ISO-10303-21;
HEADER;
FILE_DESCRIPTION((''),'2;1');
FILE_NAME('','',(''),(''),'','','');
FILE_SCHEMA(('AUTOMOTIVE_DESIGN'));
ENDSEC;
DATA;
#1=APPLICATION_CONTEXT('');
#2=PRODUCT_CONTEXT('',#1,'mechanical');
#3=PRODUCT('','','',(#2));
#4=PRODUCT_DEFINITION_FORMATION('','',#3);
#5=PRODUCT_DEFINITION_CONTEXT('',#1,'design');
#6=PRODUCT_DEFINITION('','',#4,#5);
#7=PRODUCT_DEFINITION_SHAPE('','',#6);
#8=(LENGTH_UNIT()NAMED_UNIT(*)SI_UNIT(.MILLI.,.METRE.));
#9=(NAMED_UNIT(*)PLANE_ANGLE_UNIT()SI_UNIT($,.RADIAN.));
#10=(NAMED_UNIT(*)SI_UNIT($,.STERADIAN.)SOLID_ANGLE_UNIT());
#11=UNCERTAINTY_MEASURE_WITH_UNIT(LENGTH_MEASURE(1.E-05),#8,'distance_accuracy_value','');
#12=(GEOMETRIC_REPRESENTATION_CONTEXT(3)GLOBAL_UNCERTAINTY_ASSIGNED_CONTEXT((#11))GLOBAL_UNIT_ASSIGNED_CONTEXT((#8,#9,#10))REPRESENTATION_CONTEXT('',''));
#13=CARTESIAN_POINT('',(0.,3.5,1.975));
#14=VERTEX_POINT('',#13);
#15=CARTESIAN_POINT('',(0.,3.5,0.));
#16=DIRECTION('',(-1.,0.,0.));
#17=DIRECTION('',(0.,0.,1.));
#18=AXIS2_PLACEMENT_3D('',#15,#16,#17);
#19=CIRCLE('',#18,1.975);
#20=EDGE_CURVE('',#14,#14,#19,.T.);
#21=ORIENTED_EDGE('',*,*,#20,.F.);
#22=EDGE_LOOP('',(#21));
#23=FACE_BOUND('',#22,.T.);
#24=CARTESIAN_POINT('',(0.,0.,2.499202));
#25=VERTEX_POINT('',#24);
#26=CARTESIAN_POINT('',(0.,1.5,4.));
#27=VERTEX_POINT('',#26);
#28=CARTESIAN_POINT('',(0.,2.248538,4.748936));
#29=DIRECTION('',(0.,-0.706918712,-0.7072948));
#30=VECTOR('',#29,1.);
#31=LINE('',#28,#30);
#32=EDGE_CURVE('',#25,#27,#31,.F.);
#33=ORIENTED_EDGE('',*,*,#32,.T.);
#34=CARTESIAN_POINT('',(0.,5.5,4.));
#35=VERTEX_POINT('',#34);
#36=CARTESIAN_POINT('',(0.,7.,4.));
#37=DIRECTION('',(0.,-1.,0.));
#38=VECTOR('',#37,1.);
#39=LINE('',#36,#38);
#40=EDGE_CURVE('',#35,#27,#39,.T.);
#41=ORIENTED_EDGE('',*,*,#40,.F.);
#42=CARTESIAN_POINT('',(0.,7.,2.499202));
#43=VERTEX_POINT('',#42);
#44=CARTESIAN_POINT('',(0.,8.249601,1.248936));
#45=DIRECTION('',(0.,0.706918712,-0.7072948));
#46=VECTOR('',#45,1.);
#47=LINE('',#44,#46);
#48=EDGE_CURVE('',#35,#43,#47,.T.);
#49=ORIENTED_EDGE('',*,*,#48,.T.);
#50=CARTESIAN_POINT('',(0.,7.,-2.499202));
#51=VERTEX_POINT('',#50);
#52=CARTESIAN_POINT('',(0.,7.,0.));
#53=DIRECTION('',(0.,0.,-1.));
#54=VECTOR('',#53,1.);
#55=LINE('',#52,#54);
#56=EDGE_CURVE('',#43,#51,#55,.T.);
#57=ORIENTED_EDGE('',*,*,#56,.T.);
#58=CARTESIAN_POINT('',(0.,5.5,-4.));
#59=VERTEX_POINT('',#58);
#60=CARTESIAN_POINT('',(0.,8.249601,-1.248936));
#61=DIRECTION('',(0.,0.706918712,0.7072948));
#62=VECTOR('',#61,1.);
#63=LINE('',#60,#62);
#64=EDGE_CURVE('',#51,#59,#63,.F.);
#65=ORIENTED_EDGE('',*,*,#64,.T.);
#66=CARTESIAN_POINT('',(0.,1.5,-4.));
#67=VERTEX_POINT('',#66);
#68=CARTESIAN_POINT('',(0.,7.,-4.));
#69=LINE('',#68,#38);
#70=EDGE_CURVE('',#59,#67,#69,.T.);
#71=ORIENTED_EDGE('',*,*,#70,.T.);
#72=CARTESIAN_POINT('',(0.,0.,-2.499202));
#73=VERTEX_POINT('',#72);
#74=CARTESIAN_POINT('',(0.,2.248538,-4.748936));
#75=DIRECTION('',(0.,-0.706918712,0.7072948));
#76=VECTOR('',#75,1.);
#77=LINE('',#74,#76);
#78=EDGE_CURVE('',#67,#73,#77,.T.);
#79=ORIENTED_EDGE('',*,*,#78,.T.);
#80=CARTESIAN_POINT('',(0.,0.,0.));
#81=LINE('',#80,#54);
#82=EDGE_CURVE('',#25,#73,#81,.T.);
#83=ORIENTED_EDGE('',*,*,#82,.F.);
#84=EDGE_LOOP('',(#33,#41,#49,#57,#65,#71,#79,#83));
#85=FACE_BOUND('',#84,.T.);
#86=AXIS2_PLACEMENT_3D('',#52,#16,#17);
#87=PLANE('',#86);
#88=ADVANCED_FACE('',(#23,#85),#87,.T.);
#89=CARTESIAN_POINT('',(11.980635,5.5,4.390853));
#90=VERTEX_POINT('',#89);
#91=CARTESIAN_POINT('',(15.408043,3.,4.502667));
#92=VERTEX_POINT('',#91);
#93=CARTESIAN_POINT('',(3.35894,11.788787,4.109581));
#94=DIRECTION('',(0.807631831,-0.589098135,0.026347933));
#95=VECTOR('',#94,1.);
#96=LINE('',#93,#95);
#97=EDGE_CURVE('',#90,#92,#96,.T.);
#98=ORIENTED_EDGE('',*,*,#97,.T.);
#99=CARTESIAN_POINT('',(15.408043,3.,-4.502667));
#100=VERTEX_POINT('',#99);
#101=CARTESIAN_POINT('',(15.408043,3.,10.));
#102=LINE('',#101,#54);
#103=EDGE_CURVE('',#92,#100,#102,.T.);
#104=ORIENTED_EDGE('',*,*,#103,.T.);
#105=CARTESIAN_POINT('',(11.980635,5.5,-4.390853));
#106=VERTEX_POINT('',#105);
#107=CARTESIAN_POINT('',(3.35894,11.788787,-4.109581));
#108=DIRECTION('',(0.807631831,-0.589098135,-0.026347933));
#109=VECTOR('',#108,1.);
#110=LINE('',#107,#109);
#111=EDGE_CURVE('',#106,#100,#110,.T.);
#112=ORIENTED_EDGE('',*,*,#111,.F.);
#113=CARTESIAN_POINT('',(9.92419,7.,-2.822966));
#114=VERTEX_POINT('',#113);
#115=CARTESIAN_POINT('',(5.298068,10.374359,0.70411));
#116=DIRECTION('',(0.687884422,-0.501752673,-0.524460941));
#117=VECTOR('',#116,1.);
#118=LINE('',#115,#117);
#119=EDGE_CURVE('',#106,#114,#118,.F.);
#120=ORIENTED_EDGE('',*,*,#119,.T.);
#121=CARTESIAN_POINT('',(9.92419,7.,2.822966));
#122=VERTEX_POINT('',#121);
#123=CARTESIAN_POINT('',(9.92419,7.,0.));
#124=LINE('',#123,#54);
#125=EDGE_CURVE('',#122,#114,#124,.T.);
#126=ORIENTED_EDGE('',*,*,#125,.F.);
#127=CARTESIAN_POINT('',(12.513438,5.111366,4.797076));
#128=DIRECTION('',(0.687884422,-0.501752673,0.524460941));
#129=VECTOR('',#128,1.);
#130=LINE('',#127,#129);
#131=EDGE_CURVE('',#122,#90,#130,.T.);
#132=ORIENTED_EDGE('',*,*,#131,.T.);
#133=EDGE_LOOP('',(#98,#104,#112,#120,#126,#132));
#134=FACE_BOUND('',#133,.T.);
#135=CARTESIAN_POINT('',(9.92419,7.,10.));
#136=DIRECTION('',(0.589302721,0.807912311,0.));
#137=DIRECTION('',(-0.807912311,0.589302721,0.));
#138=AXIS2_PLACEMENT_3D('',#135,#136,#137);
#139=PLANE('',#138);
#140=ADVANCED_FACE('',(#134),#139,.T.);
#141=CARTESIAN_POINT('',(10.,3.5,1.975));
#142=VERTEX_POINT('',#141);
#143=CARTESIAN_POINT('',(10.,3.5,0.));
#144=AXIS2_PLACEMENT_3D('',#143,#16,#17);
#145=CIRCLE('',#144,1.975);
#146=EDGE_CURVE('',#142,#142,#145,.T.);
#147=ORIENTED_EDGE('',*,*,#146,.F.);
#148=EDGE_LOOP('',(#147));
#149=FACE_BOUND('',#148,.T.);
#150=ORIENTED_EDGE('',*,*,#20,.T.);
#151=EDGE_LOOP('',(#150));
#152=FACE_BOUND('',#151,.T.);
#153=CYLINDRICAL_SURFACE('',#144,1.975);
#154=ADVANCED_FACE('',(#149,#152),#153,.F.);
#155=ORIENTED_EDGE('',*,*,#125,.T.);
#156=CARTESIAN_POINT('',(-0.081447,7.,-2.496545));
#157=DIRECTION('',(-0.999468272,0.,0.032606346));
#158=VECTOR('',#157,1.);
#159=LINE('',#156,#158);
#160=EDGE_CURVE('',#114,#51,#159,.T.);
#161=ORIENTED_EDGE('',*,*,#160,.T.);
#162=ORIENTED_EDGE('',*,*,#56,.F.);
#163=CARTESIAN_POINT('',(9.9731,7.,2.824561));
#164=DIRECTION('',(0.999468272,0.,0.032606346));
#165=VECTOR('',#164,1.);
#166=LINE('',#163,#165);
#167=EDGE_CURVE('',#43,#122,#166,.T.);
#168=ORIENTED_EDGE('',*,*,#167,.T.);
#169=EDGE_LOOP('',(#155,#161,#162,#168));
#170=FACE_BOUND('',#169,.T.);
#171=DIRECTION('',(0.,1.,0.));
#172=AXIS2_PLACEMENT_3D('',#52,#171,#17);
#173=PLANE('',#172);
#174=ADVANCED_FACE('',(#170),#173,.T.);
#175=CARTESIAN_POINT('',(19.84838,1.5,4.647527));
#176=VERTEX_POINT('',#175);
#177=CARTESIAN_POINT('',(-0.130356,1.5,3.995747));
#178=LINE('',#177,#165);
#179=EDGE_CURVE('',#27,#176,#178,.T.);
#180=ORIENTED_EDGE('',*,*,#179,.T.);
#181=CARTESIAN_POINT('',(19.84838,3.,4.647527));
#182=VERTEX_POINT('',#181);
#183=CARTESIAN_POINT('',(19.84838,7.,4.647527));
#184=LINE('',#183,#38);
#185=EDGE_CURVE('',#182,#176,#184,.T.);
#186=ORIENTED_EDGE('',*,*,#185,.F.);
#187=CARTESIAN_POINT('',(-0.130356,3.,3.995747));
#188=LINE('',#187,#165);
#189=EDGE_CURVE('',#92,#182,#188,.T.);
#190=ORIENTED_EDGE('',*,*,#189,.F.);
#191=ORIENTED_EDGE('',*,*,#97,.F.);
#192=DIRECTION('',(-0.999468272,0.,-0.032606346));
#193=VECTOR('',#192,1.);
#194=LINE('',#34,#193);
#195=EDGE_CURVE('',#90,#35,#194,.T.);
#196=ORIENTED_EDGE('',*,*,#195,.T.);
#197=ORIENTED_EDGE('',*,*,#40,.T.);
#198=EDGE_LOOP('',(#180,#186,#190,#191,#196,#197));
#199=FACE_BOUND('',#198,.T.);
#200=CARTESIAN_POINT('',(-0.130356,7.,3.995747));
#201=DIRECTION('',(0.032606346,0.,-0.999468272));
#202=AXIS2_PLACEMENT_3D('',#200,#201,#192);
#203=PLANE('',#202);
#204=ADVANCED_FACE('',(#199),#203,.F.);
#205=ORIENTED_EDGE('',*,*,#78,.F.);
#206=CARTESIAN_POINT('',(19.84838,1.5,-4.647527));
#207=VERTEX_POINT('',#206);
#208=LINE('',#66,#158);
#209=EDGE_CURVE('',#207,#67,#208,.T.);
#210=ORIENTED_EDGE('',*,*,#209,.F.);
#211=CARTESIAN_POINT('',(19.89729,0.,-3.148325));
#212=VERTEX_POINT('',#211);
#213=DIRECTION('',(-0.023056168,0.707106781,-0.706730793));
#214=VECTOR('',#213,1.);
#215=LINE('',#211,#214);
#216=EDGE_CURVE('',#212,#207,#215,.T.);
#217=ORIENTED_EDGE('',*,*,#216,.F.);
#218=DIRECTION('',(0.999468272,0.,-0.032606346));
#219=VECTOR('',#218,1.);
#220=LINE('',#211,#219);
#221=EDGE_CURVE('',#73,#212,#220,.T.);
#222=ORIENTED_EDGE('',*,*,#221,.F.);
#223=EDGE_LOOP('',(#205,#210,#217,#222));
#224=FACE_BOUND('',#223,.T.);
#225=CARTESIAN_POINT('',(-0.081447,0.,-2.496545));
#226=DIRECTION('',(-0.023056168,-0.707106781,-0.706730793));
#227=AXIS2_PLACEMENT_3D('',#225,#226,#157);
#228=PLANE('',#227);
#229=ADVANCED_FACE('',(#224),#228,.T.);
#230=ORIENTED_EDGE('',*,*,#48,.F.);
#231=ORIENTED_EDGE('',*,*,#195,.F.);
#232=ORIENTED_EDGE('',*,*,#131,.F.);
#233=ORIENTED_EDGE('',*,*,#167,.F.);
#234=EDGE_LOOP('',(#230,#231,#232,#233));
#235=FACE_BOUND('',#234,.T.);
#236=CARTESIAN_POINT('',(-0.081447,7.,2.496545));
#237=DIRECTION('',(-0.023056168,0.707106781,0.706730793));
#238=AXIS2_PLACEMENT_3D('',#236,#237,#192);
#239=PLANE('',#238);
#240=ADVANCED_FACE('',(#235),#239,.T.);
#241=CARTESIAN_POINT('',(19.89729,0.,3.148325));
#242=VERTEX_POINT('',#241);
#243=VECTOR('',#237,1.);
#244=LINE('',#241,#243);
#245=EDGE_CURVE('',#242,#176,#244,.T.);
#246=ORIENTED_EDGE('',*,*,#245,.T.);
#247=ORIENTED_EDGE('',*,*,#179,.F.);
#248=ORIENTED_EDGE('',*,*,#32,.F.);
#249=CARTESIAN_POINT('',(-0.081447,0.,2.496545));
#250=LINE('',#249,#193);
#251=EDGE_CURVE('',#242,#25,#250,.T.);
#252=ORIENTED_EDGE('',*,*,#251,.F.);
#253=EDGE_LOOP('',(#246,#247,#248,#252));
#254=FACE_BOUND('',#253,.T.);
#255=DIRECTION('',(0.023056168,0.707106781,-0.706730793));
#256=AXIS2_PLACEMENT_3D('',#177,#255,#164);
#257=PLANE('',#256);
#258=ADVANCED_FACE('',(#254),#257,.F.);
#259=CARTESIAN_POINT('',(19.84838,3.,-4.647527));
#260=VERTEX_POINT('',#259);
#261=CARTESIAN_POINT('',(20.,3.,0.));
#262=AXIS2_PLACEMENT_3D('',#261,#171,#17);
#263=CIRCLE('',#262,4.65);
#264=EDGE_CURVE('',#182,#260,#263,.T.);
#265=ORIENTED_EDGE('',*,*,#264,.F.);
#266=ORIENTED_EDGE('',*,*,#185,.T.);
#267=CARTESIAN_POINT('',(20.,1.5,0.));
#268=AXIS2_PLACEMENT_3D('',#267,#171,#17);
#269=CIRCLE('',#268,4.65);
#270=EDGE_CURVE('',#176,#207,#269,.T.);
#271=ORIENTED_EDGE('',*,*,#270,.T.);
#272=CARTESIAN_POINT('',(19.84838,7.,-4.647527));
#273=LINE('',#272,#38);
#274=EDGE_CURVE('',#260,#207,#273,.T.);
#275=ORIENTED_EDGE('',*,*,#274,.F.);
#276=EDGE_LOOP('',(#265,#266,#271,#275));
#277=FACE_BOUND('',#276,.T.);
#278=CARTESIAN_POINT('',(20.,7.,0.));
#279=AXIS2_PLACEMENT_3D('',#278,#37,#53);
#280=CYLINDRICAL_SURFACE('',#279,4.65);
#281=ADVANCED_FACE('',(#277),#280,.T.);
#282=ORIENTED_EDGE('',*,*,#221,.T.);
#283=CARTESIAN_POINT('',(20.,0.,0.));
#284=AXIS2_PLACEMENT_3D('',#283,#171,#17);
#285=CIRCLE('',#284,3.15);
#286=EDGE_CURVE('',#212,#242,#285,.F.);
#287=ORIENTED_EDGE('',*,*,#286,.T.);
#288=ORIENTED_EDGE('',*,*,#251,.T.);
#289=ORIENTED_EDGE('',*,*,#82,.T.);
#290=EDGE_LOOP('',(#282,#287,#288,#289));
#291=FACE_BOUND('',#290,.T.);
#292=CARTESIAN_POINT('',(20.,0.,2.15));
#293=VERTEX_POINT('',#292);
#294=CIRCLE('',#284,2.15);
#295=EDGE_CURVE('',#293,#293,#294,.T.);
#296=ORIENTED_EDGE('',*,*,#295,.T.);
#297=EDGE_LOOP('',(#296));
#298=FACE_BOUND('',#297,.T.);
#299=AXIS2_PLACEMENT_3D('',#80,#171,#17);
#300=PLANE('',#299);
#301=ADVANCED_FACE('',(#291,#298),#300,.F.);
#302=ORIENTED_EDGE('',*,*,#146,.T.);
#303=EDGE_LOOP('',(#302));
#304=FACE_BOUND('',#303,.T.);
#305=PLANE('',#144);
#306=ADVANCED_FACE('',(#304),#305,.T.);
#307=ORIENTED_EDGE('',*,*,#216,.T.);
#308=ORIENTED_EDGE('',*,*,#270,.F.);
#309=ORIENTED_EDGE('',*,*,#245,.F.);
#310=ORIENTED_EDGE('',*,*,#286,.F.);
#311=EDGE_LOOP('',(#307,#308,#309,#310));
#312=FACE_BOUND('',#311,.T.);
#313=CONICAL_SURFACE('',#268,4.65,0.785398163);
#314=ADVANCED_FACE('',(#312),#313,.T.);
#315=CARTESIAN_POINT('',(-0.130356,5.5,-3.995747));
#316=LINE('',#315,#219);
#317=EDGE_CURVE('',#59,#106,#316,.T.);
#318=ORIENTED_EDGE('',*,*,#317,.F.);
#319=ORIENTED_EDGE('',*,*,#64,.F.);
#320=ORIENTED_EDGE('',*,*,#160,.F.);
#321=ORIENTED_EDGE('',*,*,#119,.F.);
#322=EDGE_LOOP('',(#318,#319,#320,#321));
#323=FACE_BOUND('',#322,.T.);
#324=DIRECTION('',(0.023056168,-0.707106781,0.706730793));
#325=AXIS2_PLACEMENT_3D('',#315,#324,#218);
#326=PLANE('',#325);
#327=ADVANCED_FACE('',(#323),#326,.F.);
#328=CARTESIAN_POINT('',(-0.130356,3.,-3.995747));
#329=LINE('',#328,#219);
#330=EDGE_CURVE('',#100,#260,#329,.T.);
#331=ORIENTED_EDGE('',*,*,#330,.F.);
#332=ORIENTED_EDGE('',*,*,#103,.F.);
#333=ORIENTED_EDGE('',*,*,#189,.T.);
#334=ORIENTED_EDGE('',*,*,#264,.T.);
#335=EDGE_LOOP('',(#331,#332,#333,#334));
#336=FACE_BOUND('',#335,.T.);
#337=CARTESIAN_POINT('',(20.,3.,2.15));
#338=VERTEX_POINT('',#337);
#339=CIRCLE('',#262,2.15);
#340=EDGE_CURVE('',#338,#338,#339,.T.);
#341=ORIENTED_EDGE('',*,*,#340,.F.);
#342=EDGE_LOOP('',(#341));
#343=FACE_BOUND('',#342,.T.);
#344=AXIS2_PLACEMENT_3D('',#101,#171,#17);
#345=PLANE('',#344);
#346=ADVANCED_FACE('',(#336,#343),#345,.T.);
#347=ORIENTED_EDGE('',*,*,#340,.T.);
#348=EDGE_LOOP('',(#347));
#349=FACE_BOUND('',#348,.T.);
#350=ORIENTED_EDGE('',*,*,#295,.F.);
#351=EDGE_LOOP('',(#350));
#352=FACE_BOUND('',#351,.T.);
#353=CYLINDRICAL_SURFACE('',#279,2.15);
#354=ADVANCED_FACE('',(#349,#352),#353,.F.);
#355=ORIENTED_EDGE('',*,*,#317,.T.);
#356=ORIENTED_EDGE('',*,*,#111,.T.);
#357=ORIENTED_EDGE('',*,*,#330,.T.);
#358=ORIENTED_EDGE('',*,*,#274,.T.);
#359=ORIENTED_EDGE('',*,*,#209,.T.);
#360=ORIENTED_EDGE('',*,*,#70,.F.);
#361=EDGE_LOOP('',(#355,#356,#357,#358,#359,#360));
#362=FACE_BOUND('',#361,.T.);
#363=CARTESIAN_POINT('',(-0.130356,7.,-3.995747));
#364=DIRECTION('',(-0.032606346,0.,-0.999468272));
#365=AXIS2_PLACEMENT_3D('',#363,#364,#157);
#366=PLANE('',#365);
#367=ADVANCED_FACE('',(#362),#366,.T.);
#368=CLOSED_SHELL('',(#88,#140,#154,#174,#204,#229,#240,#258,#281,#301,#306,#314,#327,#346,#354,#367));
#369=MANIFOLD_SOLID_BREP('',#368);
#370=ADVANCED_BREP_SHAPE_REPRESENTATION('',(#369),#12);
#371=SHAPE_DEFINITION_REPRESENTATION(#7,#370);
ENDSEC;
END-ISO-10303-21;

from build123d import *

# Parameters (mm, degrees)
SKETCH8_R               = 2.15
BOSS_EXTRUDE2_DEPTH     = 7
SKETCH9_R               = 1.975
CUT_EXTRUDE5_DEPTH      = 10
CUT_EXTRUDE6_DEPTH      = 10
CUT_EXTRUDE6_DEPTH_BACK = 10
CHAMFER1_SIZE           = 1.5


with BuildPart() as part:
    # Sketch8 → Boss-Extrude2 (new body)
    with BuildSketch(Plane(origin=(0, 0, 0), x_dir=(1, 0, 0), z_dir=(0, 1, 0))):
        with BuildLine():
            Line((0, 4), (0, -4))
            Line((0, -4), (19.848380493, -4.647527464))
            ThreePointArc((19.848380493, -4.647527464), (24.65, 0), (19.848380493, 4.647527464))
            Line((19.848380493, 4.647527464), (0, 4))
        make_face()
        with Locations((20, 0)):
            Circle(SKETCH8_R, mode=Mode.SUBTRACT)
    extrude(amount=BOSS_EXTRUDE2_DEPTH)

    # Sketch9 → Cut-Extrude5 (cut)
    with BuildSketch(Plane.ZY):
        with Locations((0, 3.5)):
            Circle(SKETCH9_R)
    extrude(amount=-CUT_EXTRUDE5_DEPTH, mode=Mode.SUBTRACT)

    # Sketch10 → Cut-Extrude6 (cut, two sides: drawn at the far end of the back side and taken through both)
    with BuildSketch(Plane.XY.offset(-CUT_EXTRUDE6_DEPTH_BACK)):
        Polygon((9.924190246, 7), (15.408042822, 3), (24.65, 3), (24.65, 7), align=None)
    extrude(amount=CUT_EXTRUDE6_DEPTH + CUT_EXTRUDE6_DEPTH_BACK, mode=Mode.SUBTRACT)

    # Chamfer1
    chamfer1_edges = [part.edges().sort_by_distance(p)[0] for p in [
        (9.924190246, 0, 4.323763732),
        (24.65, 0, 0),
        (9.924190246, 0, -4.323763732),
        (4.962095123, 7, -4.161881866),
        (4.962095123, 7, 4.161881866),
    ]]
    chamfer(chamfer1_edges, length=CHAMFER1_SIZE)


solid = part.part
